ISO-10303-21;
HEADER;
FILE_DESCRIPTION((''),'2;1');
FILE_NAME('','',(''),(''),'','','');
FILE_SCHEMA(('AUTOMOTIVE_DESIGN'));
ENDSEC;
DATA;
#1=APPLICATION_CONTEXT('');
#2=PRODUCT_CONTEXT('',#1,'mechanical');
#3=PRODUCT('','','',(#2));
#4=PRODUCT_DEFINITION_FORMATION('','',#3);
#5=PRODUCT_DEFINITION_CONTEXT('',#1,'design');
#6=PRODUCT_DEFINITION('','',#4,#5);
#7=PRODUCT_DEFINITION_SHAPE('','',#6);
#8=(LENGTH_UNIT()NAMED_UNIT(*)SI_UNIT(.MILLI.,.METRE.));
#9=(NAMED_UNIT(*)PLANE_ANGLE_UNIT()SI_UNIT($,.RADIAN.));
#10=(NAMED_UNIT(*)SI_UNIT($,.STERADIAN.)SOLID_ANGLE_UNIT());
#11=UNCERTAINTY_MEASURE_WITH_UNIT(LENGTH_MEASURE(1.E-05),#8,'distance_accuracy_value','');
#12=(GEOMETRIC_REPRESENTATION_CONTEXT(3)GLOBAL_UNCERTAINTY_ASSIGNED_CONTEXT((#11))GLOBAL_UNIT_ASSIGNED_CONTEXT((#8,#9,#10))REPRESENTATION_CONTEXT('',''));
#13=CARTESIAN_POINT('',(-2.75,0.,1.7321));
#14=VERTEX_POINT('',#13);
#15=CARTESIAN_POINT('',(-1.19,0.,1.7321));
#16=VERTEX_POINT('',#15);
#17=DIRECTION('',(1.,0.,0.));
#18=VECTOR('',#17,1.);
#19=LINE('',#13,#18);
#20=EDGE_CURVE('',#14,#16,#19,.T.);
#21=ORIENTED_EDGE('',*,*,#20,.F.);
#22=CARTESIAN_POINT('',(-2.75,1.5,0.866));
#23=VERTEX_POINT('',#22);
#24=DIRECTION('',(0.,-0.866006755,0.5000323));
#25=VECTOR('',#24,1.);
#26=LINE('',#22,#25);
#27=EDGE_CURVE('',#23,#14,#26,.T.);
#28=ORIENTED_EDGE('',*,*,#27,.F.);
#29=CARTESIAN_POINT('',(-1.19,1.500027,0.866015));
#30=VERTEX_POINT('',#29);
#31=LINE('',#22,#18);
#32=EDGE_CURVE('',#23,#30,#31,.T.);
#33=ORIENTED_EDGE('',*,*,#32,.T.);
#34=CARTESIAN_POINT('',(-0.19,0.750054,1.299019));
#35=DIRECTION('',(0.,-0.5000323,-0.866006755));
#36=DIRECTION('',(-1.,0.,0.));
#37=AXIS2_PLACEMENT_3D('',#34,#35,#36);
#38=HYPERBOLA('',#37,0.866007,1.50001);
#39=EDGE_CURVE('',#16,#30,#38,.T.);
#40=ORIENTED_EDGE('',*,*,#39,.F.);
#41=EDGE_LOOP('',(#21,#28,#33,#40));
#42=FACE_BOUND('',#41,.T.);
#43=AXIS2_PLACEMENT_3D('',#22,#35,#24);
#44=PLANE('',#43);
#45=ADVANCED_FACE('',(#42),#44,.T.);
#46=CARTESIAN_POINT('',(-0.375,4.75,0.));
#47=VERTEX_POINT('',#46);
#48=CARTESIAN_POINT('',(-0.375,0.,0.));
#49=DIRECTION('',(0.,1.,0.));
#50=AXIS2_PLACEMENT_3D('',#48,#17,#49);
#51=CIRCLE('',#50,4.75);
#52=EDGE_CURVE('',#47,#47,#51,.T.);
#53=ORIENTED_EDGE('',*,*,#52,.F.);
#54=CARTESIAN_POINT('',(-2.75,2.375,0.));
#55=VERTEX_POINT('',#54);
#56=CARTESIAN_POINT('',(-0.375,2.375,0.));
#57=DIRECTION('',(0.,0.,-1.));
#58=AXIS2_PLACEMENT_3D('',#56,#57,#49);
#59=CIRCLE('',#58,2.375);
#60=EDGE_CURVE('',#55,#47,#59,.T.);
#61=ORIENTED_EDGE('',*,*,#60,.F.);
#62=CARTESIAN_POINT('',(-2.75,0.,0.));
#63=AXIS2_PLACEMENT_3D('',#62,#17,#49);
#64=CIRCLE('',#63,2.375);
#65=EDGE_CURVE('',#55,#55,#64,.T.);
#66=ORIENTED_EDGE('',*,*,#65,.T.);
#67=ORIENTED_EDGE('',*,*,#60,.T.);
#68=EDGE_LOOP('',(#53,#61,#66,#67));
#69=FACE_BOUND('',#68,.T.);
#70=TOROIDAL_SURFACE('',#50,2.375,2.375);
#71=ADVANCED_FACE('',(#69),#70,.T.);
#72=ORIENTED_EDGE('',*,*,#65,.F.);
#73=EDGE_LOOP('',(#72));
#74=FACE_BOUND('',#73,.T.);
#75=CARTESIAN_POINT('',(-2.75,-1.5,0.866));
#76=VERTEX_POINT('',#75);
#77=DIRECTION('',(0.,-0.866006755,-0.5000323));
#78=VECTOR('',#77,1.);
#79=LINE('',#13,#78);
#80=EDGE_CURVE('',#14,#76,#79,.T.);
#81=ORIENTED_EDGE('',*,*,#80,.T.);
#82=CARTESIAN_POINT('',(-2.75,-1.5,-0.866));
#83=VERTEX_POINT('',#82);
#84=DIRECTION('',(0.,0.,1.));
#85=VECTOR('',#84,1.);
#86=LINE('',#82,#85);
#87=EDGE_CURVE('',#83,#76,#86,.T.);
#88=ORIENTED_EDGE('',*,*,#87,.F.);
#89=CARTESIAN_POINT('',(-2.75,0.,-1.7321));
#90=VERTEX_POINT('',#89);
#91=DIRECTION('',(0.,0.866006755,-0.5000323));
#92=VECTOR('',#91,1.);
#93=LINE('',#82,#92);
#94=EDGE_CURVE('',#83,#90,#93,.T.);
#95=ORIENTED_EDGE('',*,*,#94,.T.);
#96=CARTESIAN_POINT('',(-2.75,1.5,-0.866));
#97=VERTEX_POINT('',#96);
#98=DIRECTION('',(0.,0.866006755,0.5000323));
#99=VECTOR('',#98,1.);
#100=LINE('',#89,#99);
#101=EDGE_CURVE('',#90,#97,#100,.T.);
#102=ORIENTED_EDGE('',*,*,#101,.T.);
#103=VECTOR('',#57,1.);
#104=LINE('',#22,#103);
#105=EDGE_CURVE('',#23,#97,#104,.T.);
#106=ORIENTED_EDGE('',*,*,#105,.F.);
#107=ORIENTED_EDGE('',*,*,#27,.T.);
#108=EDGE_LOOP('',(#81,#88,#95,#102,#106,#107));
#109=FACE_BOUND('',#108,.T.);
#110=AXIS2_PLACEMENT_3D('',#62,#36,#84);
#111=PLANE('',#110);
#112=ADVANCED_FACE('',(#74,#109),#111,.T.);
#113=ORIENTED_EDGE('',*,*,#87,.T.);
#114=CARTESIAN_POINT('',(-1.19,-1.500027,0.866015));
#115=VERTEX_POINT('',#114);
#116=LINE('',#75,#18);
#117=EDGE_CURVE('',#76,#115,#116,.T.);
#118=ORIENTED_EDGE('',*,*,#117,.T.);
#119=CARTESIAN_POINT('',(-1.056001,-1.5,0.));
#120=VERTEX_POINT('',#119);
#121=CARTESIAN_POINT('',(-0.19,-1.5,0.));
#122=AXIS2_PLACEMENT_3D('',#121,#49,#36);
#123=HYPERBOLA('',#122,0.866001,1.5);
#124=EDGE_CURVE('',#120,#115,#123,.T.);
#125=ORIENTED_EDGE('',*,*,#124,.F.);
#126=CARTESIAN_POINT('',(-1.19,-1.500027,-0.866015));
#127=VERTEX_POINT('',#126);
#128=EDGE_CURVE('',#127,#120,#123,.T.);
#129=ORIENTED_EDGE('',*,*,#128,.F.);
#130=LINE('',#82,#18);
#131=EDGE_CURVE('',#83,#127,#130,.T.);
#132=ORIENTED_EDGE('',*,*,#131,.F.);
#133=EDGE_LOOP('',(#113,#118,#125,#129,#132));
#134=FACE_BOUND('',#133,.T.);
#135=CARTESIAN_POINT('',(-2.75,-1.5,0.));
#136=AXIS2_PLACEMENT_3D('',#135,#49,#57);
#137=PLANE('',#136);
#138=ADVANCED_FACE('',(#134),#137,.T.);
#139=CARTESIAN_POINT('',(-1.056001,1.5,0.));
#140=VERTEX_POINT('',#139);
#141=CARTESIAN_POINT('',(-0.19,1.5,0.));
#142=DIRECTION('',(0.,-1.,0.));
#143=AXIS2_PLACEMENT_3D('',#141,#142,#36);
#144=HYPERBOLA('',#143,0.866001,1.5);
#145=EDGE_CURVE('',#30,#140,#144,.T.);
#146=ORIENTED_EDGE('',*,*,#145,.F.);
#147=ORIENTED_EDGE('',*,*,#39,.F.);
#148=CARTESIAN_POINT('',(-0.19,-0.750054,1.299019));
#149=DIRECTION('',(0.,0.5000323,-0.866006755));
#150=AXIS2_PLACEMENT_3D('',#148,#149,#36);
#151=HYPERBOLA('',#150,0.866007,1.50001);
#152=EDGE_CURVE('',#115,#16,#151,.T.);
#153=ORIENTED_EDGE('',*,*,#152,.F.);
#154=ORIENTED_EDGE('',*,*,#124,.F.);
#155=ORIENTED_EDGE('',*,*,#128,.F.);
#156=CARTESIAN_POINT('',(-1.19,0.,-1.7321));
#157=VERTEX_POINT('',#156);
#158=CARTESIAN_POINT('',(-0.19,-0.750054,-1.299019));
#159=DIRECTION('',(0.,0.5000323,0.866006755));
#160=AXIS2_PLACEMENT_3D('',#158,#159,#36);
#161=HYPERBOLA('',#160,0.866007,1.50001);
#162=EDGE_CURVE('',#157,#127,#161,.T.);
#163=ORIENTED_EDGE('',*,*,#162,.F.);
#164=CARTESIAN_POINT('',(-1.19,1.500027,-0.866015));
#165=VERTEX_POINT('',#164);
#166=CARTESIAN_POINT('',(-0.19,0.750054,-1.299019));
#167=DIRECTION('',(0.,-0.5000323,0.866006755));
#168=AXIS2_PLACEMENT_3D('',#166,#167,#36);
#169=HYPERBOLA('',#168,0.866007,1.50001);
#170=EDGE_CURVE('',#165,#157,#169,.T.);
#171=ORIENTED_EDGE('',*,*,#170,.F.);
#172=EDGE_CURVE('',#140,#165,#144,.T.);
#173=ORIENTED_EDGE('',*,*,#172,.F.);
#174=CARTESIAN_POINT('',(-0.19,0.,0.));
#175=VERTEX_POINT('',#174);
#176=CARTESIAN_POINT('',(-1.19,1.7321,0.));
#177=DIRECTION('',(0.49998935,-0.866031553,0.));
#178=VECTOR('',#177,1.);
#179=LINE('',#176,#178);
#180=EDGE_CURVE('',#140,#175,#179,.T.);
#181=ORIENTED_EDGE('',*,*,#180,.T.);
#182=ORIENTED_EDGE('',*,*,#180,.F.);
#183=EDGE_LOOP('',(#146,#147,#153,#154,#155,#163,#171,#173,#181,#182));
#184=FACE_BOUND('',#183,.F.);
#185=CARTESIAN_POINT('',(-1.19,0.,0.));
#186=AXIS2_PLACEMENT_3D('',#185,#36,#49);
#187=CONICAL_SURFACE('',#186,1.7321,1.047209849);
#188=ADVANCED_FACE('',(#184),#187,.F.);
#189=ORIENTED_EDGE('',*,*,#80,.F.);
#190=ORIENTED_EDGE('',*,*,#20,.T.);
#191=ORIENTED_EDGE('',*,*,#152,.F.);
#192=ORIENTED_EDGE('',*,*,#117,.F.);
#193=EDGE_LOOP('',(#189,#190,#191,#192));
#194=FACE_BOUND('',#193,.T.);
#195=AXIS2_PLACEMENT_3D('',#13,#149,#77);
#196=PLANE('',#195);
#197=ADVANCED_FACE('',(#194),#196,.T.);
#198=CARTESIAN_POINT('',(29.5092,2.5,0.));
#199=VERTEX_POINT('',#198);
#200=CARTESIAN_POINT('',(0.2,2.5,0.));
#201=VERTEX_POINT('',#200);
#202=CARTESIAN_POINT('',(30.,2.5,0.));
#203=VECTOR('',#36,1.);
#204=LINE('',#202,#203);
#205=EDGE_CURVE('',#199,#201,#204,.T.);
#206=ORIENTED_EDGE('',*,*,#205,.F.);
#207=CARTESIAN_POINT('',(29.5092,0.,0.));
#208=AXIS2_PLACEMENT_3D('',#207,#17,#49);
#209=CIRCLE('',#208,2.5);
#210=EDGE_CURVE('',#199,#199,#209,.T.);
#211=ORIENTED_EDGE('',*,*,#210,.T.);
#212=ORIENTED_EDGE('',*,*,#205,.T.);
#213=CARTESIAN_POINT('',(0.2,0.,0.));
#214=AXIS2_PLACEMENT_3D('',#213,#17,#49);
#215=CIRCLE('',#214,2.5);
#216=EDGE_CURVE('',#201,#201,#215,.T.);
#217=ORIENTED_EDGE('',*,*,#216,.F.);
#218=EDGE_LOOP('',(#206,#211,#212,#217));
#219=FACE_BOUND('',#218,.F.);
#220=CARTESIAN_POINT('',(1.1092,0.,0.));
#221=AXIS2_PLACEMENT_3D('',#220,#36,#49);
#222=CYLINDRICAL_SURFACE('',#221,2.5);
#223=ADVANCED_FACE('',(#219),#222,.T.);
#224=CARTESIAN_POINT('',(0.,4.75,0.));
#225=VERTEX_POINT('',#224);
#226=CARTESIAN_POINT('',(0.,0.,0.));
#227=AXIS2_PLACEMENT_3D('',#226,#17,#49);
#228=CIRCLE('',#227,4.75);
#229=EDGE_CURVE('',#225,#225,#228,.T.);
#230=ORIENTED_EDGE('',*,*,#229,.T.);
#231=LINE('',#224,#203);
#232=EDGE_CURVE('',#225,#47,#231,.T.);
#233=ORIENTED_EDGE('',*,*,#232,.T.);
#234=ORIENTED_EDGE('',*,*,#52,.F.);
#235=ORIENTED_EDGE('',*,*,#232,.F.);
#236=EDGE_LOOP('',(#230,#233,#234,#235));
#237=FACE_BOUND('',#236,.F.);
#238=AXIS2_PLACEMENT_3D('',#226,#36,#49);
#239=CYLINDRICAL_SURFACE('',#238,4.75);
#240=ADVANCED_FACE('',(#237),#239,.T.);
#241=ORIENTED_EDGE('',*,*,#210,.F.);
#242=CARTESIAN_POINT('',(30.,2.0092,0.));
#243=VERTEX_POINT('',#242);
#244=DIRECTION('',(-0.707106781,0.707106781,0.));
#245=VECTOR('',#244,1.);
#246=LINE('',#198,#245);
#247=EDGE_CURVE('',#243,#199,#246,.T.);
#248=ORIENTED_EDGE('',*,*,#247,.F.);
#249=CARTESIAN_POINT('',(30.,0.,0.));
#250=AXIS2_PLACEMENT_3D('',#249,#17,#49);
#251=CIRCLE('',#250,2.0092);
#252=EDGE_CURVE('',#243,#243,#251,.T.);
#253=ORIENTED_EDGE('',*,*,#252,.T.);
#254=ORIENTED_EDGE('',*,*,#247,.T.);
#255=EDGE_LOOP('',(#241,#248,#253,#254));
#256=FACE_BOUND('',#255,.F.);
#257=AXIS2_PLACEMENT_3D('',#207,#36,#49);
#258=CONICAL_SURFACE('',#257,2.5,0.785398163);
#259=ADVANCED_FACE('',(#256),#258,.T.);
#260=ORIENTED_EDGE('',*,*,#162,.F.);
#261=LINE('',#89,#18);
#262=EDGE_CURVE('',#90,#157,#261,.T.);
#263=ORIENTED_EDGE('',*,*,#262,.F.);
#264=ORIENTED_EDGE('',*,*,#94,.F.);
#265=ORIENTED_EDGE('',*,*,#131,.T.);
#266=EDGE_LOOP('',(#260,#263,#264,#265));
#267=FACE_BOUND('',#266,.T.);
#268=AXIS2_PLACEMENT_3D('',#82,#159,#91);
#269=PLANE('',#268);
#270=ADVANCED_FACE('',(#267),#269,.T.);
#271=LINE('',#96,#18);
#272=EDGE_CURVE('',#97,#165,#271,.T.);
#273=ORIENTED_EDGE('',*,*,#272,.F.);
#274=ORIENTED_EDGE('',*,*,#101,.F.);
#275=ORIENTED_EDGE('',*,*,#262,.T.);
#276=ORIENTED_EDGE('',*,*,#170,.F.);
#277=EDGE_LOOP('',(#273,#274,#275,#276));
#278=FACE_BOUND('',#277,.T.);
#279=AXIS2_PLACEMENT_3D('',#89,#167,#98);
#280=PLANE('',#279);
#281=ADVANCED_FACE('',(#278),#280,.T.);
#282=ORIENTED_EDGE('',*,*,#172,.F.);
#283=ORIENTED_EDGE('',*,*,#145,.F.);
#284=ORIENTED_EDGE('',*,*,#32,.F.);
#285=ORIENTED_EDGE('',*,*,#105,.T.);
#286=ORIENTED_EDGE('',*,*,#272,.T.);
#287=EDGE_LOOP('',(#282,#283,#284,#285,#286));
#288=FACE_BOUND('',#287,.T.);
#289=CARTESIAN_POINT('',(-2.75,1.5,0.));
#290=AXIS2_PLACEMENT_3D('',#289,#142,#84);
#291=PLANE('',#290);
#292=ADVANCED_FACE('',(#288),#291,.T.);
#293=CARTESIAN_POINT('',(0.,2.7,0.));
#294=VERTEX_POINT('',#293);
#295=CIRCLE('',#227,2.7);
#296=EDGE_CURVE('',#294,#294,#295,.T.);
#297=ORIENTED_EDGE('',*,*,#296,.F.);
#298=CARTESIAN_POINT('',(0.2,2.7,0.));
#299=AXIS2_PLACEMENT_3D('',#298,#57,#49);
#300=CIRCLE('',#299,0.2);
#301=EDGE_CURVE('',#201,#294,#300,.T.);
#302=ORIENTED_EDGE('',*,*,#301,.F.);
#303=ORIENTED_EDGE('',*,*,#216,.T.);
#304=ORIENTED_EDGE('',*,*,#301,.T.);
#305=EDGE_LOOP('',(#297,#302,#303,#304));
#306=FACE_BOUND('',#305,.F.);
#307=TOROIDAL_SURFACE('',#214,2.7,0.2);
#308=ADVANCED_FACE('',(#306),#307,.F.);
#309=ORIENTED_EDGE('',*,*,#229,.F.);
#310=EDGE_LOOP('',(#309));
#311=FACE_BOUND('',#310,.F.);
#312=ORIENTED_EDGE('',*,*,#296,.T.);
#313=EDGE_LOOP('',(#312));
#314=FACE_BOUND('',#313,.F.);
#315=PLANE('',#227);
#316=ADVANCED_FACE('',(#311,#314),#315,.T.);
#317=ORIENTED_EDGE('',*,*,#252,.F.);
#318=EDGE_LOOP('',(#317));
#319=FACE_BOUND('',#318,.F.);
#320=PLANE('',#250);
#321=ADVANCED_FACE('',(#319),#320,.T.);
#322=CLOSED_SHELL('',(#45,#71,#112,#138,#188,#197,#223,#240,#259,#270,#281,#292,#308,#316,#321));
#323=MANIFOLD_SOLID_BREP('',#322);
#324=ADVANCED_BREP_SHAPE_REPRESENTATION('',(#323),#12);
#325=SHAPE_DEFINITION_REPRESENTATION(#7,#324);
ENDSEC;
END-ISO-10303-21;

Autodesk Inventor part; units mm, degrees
ref_plane "YZ Plane" through (0, 0, 0) normal (1, 0, 0) x (0, 1, 0)
ref_plane "XZ Plane" through (0, 0, 0) normal (0, 1, 0) x (-1, 0, 0)
sketch "Sketch1" plane through (0, 0, 0) normal (0, 0, 1) x (1, 0, 0)
  line L0 (-0.19, 0) -> (30, 0)
  line L1 (30, 0) -> (30, 2.5)
  line L2 (30, 2.5) -> (1.6, 2.5)
  line L3 (1.6, 2.5) -> (1.1092, 2.5)
  line L4 (1.1092, 2.5) -> (0, 2.5)
  line L5 (0, 2.5) -> (0, 4.75)
  line L6 (0, 4.75) -> (-2.75, 4.75)
  line L7 (-2.75, 4.75) -> (-2.75, 1.7321)
  line L8 (-2.75, 1.7321) -> (-1.19, 1.7321)
  line L9 (-1.19, 1.7321) -> (-0.19, 0)
  line L10 (-9.3, 0) -> (36.55, 0) projected
  line L11 (0, -0.95) -> (0, 5.7) projected
  line L12 (1.6, 2.5) -> (0, 2.5) construction
  dimension "d0" = 28.4
  dimension "d1" = 0.4908
  dimension "d2" = 2.75
  dimension "d3" = 1.56
  dimension "d4" = 60
  dimension "d5" = 5
  dimension "d6" = 5
  dimension "d7" = 3.4641
  dimension "d8" = 9.5
  dimension "d19" = 30
revolve "Body" add sketch "Sketch1" angle 360 about axis through (-0.19, 0, 0) along (1, 0, 0)
sketch "Sketch2" plane through (-2.75, 0, 0) normal (-1, 0, 0) x (0, 0, 1)
  circle A0 centre (0, 0) radius 1.7321 projected
  line L0 (0, -6.65) -> (0, 6.65) projected
  line L1 (-6.65, 0) -> (6.65, 0) projected
  line L2 (1.7321, 0) -> (0.866, -1.5)
  line L3 (0.866, -1.5) -> (-0.866, -1.5)
  line L4 (-0.866, -1.5) -> (-1.7321, 0)
  line L5 (-1.7321, 0) -> (-0.866, 1.5)
  line L6 (-0.866, 1.5) -> (0.866, 1.5)
  line L7 (0.866, 1.5) -> (1.7321, 0)
extrude "Slot" add sketch "Sketch2" against normal up to next contours L7 A0 | A0 L2 | L6 L0 A0 | A0 L0 L3 | L0 L6 A0 | A0 L3 L0 | L4 A0 | A0 L5
fillet "Fillet1" radius 2.375 1 edges at (-2.75, -4.75, 0)
thread "Thread" size "M5x0.8" class "4g6g" standard "ANSI Metric M Profile" length 28.4
chamfer "Chamfer1" distance 0.4908 distance2 0.4908 1 edges at (30, -2.5, 0) measured on face at (30, -0.5525, -0.0341)
fillet "Fillet2" radius 0.2 1 edges at (0, -2.5, 0)
ref_plane "Work Plane1" through (30, 0, 0) normal (0, -0.5, 0.866) x (1, 0, 0)
equation "\"d0\" = GEL"
equation "\"d1\" = GAL"
equation "\"d2\" = KOH"
equation "\"d3\" = INTI"
equation "\"d5\" = GD"
equation "\"d6\" = BDM"
equation "\"d7\" = 1.1547 * SW"
equation "\"d8\" = KOD"
equation "\"d19\" = NLG"
equation "\"d16\" = RR"
equation "\"d12\" = GEL"
equation "\"d14\" = -0.5 * SPD + 0.5 * GD"
equation "\"d15\" = GUL"
equation "\"d29\" = R"
equation "\"GD\" = NND"
equation "\"NLG\" = 30"
equation "\"GEL\" = 28.4"
equation "\"KOD\" = 9.5"
equation "\"KOH\" = 2.75"
equation "\"INTI\" = 1.56"
equation "\"GAL\" = 0.61345 * PTC"
equation "\"GUL\" = 0.61345 * PTC"
equation "\"BDM\" = NND"
equation "\"SW\" = 3"
equation "\"RR\" = 2.375"
equation "\"SPD\" = 4.01848"
equation "\"d28\" = R"
equation "\"R\" = 0.2"
equation "\"TOA\" = 30deg"
equation "\"THREADDIA\" = 5"
equation "\"KOD1\" = KOD - 2 * RR"
equation "\"PTC\" = 0.8"
equation "\"NND\" = 5"
equation "\"E0\" = 1.155 * SW"
equation "\"GD1\" = THREADDIA - 1.2269 * PTC"
properties part number "ANSI B18.3.4M - M5 x 0.8 x 30" material "Steel, Mild"
